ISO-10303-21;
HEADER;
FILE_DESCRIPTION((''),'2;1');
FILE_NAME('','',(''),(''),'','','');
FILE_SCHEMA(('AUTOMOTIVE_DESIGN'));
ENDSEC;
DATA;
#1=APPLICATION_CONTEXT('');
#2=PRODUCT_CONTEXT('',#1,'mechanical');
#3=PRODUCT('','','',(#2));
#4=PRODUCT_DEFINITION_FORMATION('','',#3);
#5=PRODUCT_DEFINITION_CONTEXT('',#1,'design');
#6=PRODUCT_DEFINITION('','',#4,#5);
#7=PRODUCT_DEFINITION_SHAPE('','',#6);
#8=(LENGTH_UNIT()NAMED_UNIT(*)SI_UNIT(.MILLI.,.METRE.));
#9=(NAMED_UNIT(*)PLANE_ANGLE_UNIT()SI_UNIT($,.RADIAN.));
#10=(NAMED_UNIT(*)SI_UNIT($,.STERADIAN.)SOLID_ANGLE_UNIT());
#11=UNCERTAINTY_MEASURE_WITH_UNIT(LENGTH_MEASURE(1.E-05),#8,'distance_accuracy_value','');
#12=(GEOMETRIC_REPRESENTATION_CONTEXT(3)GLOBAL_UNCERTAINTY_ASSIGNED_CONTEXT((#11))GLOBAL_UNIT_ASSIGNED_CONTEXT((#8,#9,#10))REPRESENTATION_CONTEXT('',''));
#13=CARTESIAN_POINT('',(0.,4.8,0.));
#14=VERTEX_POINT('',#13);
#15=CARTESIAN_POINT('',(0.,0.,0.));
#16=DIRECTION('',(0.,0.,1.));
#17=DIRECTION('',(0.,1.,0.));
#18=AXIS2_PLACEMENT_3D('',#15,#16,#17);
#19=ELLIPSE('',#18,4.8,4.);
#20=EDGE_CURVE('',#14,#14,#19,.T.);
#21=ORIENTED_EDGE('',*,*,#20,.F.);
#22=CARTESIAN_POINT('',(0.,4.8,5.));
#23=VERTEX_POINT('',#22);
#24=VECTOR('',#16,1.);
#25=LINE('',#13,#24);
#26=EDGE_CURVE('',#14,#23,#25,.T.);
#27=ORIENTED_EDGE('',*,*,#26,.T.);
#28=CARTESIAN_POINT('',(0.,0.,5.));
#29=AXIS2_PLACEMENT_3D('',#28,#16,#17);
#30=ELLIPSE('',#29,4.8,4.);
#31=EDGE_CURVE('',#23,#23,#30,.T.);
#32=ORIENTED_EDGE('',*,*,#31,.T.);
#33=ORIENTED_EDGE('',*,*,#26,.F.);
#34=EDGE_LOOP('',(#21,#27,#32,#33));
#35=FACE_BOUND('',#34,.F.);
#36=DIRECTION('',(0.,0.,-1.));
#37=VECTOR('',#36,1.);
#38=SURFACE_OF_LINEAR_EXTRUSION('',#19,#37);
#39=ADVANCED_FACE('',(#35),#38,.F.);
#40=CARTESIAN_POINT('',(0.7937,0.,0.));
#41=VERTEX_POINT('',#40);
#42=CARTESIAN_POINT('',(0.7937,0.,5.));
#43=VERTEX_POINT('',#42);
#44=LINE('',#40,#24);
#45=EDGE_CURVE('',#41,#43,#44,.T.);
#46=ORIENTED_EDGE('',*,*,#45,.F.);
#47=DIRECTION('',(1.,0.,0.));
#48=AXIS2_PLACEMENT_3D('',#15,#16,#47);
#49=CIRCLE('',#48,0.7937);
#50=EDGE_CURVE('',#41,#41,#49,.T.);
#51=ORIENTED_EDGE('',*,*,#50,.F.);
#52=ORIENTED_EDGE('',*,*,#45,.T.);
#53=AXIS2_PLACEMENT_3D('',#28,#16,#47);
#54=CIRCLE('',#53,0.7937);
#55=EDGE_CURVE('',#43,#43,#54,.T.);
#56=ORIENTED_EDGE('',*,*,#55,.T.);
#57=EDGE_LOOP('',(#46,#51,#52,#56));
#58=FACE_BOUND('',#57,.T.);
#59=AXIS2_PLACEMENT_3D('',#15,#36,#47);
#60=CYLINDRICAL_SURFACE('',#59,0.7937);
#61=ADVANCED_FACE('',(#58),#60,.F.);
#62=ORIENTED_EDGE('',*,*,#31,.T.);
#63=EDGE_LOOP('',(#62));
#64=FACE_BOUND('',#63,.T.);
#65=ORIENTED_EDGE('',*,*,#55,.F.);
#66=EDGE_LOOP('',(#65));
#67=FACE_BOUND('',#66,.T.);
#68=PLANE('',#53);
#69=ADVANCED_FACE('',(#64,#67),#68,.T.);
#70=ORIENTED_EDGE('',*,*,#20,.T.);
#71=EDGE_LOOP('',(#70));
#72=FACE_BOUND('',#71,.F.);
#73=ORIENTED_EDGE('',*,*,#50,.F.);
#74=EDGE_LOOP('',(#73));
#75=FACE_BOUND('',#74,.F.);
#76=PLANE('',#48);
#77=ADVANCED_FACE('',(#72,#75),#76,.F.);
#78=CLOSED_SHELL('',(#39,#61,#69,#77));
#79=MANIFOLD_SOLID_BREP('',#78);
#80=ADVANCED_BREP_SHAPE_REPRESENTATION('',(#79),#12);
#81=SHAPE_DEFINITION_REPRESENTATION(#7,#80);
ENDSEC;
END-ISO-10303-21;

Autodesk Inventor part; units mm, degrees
ref_plane "YZ Plane" through (0, 0, 0) normal (1, 0, 0) x (0, 1, 0)
ref_plane "XZ Plane" through (0, 0, 0) normal (0, 1, 0) x (-1, 0, 0)
ref_plane "XY Plane" through (0, 0, 0) normal (0, 0, 1) x (1, 0, 0)
sketch "Sketch1" plane through (0, 0, 0) normal (0, 0, 1) x (1, 0, 0)
  ellipse E0 centre (0, 0) end of major axis (0, 4.8) minor radius 4
  circle A0 centre (0, 0) radius 0.7937
  dimension "d0" = 4.8
  dimension "d1" = 4
  dimension "d2" = 1.5875
extrude "Extrusion1" add sketch "Sketch1" along normal blind 5
properties part number "laser_alignment_cam"
